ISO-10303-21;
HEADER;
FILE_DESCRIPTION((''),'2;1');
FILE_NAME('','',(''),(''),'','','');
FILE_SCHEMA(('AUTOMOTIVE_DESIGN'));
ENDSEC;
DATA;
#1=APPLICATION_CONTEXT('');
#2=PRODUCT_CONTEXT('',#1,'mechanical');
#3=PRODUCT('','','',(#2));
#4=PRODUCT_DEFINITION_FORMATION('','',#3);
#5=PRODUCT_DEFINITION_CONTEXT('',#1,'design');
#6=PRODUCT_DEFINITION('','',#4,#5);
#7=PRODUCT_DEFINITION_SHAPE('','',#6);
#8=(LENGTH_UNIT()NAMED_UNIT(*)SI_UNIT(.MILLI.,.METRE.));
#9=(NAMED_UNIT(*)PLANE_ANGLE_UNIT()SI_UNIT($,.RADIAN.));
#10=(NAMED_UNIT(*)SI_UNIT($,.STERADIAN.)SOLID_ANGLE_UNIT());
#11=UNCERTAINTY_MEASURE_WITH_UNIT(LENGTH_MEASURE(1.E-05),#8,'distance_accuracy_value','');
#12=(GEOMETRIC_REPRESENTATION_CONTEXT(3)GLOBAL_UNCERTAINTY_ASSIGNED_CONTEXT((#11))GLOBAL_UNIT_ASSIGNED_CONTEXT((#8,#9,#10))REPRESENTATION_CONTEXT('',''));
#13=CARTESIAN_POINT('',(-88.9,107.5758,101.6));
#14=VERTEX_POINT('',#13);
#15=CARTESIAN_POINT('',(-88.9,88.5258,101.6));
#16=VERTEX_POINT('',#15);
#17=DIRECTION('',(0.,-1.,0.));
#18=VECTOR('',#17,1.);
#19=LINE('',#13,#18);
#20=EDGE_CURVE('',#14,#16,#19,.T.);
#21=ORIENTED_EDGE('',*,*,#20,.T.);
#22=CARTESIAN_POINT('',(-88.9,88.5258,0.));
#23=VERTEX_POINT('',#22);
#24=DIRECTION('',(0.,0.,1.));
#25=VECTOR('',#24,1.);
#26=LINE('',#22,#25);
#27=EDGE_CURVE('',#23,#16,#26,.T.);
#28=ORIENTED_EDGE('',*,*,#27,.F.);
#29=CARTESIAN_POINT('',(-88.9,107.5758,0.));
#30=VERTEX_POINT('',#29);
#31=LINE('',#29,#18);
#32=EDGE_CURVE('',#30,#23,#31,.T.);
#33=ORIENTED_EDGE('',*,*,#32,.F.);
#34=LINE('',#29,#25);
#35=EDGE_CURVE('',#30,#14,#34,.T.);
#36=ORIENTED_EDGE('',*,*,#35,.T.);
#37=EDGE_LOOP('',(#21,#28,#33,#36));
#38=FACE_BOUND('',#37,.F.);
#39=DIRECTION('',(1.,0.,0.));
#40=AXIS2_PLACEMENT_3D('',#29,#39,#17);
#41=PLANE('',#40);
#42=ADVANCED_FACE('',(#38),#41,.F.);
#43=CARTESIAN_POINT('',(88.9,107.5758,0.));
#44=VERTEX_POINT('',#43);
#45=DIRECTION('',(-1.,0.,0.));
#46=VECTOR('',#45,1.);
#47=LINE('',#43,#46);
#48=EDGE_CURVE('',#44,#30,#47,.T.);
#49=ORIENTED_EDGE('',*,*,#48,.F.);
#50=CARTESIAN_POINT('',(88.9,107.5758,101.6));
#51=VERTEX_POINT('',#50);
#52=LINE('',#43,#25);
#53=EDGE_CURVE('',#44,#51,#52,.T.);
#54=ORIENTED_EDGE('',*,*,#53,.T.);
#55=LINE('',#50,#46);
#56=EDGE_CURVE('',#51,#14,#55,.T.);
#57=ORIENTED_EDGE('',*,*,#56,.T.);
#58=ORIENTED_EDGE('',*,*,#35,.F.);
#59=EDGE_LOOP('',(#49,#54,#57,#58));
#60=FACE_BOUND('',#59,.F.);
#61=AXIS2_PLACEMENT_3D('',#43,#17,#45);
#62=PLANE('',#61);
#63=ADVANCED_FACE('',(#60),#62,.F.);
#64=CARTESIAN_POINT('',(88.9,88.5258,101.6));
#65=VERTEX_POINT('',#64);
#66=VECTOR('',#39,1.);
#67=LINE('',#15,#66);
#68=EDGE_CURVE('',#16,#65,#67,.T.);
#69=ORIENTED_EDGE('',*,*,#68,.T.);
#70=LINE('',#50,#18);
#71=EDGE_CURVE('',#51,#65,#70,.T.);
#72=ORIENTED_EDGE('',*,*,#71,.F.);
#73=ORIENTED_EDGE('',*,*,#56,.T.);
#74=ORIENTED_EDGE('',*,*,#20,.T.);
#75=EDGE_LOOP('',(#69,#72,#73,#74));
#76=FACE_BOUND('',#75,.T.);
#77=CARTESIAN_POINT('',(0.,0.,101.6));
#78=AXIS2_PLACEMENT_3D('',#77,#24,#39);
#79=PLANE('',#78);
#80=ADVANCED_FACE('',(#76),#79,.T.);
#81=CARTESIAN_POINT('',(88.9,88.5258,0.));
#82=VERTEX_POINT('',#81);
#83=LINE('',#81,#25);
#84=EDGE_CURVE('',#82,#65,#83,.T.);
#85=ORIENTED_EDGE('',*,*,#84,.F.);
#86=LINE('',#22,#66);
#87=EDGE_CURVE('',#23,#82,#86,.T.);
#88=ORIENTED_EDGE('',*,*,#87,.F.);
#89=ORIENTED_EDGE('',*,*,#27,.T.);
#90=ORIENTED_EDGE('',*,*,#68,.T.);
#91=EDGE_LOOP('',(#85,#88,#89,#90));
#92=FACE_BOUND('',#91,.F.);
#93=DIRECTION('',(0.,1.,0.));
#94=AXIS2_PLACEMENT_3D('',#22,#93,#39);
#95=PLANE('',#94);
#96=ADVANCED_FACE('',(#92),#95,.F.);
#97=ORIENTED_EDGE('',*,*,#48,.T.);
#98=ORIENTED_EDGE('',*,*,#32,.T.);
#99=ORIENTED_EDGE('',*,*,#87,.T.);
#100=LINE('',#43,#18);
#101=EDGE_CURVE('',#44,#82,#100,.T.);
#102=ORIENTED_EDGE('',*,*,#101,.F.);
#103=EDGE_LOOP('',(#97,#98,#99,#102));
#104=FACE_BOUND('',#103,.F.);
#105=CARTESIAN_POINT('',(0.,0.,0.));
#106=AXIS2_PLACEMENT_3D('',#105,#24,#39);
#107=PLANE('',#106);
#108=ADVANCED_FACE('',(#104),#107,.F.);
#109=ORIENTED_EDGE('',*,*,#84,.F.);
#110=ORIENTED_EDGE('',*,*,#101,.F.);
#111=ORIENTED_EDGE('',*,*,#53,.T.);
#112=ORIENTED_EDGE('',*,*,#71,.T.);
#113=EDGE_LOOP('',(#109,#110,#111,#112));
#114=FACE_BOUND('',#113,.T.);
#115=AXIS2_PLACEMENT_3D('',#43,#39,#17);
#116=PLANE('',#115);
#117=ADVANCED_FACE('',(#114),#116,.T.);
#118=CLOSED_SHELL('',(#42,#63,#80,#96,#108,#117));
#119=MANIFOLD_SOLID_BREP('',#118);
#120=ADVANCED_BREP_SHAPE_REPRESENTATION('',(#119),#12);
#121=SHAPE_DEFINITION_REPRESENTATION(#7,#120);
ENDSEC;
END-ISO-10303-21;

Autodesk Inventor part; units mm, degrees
ref_plane "YZ Plane" through (0, 0, 0) normal (1, 0, 0) x (0, 1, 0)
ref_plane "XZ Plane" through (0, 0, 0) normal (0, 1, 0) x (-1, 0, 0)
ref_plane "XY Plane" through (0, 0, 0) normal (0, 0, 1) x (1, 0, 0)
ref_plane "Work Plane1" through (0, 0, 0) normal (0, 0, 1) x (1, 0, 0)
sketch "Sketch1" plane through (0, 0, 0) normal (0, 0, 1) x (1, 0, 0)
  circle A0 centre (0, 0) radius 152.4 projected
  line L0 (88.9, 107.5758) -> (88.9, -107.5758) projected
  line L1 (-88.9, 107.5758) -> (-88.9, -107.5758) projected
  line L2 (-107.95, 107.5758) -> (-88.9, 107.5758) projected
  line L3 (107.95, 107.5758) -> (88.9, 107.5758) projected
  line L4 (88.9, 107.5758) -> (-88.9, 107.5758)
  line L5 (-88.9, 107.5758) -> (-88.9, 88.5258)
  line L6 (-88.9, 88.5258) -> (88.9, 88.5258)
  line L7 (88.9, 88.5258) -> (88.9, 107.5758)
  dimension "d0" = 19.05
extrude "Extrusion1" add sketch "Sketch1" along normal blind 101.6 contours L0 L6 L1 L4
properties part number "frontSupportFor12inchBase"
